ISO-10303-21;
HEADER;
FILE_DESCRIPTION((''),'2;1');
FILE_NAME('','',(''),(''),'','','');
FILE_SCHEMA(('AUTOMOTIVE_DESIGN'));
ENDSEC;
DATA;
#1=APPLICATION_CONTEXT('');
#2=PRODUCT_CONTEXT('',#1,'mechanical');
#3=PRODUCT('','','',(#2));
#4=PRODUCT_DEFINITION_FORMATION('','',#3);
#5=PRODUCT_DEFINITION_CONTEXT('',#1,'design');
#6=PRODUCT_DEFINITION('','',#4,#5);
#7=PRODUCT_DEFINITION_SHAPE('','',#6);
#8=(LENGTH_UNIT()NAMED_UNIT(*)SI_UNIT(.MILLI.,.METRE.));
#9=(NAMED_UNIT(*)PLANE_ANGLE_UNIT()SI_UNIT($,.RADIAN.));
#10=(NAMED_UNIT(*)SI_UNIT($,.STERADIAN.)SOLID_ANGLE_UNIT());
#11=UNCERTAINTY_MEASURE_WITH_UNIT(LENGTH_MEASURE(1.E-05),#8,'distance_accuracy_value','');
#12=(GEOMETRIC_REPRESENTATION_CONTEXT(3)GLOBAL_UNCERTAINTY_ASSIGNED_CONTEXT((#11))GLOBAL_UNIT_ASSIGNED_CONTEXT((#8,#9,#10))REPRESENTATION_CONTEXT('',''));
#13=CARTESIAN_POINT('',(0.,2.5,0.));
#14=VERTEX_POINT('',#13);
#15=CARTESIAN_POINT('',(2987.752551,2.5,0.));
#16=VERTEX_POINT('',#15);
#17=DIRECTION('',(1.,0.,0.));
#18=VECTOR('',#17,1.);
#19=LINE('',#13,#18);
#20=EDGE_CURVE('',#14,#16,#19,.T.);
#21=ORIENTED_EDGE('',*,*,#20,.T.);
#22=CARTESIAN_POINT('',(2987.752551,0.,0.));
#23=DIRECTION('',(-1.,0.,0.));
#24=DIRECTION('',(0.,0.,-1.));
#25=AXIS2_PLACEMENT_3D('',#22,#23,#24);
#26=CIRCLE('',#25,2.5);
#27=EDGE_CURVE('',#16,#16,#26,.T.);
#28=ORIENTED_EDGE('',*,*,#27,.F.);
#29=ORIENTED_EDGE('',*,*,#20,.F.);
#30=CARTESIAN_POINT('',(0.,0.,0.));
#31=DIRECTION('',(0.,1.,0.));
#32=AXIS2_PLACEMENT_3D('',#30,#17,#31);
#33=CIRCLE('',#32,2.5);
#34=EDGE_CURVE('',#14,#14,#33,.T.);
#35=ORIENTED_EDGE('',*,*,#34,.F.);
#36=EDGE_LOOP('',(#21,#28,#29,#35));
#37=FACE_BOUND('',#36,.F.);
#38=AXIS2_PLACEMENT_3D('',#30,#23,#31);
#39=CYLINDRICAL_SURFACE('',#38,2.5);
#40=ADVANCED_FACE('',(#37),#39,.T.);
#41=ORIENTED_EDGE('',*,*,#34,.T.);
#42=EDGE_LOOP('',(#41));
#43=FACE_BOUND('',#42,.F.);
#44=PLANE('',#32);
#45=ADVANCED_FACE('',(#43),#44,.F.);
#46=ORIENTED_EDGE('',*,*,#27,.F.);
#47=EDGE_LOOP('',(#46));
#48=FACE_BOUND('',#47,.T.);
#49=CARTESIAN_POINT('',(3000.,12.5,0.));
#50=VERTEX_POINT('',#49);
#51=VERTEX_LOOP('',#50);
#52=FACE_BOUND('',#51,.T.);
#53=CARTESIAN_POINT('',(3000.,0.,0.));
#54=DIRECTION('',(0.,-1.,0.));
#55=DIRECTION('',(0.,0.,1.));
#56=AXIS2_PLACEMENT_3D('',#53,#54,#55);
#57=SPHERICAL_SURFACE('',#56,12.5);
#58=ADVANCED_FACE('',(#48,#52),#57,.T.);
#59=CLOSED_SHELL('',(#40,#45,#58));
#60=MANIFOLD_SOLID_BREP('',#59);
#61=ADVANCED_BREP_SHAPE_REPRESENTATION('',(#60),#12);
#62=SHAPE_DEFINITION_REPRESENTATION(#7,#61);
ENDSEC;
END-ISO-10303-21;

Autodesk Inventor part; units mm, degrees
ref_plane "YZ Plane" through (0, 0, 0) normal (1, 0, 0) x (0, 1, 0)
ref_plane "XZ Plane" through (0, 0, 0) normal (0, 1, 0) x (-1, 0, 0)
ref_plane "XY Plane" through (0, 0, 0) normal (0, 0, 1) x (1, 0, 0)
sketch "Sketch1" plane through (0, 0, 0) normal (1, 0, 0) x (0, 1, 0)
  circle A0 centre (0, 0) radius 2.5
  dimension "d0" = 5
extrude "Extrusion1" add sketch "Sketch1" along normal blind 3000
sketch "Sketch2" plane through (3000, 0, 0) normal (1, 0, 0) x (0, 0, -1)
  circle A0 centre (0, 0) radius 12.5
  line L0 (0, 12.5) -> (0, -12.5)
  dimension "d3" = 25
  dimension "d5" = 0
revolve "Revolution1" add sketch "Sketch2" angle 360 about axis through (3000, 12.5, 0) along (0, -1, 0) picked at (-4.4262, -2.2459) contours L0 A0
properties part number "Wire Boom"
